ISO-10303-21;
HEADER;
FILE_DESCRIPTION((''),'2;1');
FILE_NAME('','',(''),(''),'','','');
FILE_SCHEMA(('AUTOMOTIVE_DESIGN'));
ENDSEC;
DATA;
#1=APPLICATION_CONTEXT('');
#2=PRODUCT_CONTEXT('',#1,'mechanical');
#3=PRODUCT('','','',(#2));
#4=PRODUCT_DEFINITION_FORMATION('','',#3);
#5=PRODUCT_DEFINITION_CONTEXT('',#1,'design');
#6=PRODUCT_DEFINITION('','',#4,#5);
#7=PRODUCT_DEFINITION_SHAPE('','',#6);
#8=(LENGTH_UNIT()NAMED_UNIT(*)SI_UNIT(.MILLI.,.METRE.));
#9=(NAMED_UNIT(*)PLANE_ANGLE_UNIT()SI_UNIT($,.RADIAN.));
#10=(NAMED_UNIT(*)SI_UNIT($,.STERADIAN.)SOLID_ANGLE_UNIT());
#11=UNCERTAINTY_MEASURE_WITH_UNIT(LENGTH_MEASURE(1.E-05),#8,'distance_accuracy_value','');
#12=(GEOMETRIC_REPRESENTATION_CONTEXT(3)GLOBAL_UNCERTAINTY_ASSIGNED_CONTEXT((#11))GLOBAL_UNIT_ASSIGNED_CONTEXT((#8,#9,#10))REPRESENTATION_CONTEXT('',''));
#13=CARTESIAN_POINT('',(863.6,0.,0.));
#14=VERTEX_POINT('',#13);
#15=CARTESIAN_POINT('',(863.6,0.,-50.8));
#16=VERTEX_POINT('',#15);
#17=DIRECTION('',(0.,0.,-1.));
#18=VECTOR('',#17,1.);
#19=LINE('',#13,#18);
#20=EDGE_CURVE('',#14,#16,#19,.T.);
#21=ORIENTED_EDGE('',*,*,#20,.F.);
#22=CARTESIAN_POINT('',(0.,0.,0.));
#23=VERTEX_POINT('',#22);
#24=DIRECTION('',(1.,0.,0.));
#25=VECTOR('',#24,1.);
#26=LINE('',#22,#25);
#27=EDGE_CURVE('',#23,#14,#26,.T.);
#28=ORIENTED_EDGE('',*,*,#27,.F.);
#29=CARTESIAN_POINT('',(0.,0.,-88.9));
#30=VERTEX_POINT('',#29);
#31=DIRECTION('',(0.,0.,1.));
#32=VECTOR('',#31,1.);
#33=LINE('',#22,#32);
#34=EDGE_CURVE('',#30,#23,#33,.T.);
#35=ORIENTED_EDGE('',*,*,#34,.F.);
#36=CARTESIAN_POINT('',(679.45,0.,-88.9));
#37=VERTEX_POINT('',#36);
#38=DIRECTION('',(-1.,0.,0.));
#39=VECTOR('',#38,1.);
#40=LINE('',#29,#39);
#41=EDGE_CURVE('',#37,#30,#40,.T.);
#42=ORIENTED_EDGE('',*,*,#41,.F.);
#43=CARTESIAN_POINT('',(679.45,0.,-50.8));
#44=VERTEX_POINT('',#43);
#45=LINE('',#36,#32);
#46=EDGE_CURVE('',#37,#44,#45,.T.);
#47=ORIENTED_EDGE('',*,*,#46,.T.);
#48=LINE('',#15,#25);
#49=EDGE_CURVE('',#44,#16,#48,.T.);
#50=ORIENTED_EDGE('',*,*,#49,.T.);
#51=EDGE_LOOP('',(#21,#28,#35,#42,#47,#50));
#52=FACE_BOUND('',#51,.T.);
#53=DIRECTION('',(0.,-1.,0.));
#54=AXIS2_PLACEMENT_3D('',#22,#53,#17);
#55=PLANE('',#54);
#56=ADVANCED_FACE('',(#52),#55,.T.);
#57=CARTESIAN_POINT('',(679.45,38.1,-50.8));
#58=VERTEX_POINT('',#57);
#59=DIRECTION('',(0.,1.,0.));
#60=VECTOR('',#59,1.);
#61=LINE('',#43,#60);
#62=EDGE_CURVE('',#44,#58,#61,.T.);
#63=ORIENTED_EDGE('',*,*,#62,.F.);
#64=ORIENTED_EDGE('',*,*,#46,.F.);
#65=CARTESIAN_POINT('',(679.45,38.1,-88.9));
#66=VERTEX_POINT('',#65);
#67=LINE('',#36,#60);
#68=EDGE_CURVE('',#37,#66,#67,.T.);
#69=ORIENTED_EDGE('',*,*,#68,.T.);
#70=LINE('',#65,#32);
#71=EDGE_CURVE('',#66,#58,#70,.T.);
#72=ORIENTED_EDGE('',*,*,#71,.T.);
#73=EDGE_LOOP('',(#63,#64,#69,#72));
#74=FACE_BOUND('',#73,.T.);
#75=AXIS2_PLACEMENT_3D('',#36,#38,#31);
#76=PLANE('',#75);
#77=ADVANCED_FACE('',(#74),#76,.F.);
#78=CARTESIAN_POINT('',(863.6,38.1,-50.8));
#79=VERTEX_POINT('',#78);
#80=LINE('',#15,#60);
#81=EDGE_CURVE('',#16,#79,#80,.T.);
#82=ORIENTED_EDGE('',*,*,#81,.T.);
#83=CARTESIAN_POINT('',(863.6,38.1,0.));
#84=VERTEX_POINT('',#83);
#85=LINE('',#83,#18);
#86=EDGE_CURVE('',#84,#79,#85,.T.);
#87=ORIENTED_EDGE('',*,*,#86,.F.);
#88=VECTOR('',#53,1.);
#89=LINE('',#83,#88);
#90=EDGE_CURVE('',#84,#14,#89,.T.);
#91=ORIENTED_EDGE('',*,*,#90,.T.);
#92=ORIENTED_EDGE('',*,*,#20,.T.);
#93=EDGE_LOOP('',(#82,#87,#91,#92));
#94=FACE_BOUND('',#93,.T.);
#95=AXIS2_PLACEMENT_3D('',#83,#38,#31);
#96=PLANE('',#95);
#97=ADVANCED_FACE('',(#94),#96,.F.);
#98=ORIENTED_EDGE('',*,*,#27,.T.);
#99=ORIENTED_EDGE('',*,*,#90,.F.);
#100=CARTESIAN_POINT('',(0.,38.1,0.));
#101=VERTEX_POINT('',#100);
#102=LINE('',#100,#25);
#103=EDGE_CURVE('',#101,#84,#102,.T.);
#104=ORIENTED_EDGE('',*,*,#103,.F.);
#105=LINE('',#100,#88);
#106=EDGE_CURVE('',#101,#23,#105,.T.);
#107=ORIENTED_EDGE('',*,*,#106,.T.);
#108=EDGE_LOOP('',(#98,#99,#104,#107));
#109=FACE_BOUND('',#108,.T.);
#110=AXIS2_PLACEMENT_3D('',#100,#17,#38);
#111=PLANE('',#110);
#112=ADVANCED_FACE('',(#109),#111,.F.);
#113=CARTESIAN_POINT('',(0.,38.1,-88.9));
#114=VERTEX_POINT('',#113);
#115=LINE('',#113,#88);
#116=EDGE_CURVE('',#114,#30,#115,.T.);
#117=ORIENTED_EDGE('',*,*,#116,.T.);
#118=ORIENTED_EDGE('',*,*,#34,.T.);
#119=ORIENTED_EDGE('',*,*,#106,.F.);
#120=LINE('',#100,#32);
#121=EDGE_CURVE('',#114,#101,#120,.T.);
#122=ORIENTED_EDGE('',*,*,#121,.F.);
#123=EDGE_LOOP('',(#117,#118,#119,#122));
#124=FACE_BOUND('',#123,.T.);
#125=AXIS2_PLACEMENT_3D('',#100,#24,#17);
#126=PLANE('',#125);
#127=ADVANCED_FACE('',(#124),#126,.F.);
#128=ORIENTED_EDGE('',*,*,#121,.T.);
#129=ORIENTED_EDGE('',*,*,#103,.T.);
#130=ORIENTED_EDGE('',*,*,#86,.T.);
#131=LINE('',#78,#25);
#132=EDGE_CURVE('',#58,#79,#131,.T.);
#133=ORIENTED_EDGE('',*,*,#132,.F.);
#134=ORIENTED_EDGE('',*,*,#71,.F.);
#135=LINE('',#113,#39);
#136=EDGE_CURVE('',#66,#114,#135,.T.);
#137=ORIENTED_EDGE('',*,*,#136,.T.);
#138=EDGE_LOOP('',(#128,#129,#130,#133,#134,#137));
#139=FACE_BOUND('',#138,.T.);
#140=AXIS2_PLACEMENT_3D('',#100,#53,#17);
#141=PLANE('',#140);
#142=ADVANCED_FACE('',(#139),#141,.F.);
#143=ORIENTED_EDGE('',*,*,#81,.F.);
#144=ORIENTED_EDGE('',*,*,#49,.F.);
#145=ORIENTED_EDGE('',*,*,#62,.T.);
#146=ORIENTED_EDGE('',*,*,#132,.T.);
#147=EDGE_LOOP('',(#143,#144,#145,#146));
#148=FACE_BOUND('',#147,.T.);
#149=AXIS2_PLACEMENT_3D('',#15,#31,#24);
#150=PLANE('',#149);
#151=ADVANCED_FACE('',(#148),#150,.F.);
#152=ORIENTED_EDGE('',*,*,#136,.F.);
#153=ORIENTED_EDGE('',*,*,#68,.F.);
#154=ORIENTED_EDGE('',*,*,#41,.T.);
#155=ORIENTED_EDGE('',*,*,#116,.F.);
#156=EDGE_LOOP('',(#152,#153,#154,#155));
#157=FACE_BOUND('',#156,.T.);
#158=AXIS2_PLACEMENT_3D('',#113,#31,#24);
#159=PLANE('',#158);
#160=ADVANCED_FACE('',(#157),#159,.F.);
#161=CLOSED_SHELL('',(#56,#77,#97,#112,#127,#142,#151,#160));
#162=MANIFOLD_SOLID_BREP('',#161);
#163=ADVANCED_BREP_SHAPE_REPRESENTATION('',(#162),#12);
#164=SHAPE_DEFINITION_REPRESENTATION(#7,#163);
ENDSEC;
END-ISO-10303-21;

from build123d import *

# Parameters (mm, degrees)
SKETCH1_W           = 863.6
SKETCH1_H           = 88.9
BOSS_EXTRUDE1_DEPTH = 38.1
SKETCH3_W           = 184.15
SKETCH3_H           = 38.1
CUT_EXTRUDE1_DEPTH  = 39.1


with BuildPart() as part:
    # Sketch1 → Boss-Extrude1 (new body)
    with BuildSketch(Plane(origin=(0, 0, 0), x_dir=(1, 0, 0), z_dir=(0, 1, 0))):
        with Locations((431.8, 44.45)):
            Rectangle(SKETCH1_W, SKETCH1_H)
    extrude(amount=BOSS_EXTRUDE1_DEPTH)

    # Sketch3 → Cut-Extrude1 (cut, through all)
    with BuildSketch(Plane(origin=(0, 38.1, 0), x_dir=(1, 0, 0), z_dir=(0, 1, 0))):
        with Locations((771.525, 69.85)):
            Rectangle(SKETCH3_W, SKETCH3_H)
    extrude(amount=-CUT_EXTRUDE1_DEPTH, mode=Mode.SUBTRACT)


solid = part.part
